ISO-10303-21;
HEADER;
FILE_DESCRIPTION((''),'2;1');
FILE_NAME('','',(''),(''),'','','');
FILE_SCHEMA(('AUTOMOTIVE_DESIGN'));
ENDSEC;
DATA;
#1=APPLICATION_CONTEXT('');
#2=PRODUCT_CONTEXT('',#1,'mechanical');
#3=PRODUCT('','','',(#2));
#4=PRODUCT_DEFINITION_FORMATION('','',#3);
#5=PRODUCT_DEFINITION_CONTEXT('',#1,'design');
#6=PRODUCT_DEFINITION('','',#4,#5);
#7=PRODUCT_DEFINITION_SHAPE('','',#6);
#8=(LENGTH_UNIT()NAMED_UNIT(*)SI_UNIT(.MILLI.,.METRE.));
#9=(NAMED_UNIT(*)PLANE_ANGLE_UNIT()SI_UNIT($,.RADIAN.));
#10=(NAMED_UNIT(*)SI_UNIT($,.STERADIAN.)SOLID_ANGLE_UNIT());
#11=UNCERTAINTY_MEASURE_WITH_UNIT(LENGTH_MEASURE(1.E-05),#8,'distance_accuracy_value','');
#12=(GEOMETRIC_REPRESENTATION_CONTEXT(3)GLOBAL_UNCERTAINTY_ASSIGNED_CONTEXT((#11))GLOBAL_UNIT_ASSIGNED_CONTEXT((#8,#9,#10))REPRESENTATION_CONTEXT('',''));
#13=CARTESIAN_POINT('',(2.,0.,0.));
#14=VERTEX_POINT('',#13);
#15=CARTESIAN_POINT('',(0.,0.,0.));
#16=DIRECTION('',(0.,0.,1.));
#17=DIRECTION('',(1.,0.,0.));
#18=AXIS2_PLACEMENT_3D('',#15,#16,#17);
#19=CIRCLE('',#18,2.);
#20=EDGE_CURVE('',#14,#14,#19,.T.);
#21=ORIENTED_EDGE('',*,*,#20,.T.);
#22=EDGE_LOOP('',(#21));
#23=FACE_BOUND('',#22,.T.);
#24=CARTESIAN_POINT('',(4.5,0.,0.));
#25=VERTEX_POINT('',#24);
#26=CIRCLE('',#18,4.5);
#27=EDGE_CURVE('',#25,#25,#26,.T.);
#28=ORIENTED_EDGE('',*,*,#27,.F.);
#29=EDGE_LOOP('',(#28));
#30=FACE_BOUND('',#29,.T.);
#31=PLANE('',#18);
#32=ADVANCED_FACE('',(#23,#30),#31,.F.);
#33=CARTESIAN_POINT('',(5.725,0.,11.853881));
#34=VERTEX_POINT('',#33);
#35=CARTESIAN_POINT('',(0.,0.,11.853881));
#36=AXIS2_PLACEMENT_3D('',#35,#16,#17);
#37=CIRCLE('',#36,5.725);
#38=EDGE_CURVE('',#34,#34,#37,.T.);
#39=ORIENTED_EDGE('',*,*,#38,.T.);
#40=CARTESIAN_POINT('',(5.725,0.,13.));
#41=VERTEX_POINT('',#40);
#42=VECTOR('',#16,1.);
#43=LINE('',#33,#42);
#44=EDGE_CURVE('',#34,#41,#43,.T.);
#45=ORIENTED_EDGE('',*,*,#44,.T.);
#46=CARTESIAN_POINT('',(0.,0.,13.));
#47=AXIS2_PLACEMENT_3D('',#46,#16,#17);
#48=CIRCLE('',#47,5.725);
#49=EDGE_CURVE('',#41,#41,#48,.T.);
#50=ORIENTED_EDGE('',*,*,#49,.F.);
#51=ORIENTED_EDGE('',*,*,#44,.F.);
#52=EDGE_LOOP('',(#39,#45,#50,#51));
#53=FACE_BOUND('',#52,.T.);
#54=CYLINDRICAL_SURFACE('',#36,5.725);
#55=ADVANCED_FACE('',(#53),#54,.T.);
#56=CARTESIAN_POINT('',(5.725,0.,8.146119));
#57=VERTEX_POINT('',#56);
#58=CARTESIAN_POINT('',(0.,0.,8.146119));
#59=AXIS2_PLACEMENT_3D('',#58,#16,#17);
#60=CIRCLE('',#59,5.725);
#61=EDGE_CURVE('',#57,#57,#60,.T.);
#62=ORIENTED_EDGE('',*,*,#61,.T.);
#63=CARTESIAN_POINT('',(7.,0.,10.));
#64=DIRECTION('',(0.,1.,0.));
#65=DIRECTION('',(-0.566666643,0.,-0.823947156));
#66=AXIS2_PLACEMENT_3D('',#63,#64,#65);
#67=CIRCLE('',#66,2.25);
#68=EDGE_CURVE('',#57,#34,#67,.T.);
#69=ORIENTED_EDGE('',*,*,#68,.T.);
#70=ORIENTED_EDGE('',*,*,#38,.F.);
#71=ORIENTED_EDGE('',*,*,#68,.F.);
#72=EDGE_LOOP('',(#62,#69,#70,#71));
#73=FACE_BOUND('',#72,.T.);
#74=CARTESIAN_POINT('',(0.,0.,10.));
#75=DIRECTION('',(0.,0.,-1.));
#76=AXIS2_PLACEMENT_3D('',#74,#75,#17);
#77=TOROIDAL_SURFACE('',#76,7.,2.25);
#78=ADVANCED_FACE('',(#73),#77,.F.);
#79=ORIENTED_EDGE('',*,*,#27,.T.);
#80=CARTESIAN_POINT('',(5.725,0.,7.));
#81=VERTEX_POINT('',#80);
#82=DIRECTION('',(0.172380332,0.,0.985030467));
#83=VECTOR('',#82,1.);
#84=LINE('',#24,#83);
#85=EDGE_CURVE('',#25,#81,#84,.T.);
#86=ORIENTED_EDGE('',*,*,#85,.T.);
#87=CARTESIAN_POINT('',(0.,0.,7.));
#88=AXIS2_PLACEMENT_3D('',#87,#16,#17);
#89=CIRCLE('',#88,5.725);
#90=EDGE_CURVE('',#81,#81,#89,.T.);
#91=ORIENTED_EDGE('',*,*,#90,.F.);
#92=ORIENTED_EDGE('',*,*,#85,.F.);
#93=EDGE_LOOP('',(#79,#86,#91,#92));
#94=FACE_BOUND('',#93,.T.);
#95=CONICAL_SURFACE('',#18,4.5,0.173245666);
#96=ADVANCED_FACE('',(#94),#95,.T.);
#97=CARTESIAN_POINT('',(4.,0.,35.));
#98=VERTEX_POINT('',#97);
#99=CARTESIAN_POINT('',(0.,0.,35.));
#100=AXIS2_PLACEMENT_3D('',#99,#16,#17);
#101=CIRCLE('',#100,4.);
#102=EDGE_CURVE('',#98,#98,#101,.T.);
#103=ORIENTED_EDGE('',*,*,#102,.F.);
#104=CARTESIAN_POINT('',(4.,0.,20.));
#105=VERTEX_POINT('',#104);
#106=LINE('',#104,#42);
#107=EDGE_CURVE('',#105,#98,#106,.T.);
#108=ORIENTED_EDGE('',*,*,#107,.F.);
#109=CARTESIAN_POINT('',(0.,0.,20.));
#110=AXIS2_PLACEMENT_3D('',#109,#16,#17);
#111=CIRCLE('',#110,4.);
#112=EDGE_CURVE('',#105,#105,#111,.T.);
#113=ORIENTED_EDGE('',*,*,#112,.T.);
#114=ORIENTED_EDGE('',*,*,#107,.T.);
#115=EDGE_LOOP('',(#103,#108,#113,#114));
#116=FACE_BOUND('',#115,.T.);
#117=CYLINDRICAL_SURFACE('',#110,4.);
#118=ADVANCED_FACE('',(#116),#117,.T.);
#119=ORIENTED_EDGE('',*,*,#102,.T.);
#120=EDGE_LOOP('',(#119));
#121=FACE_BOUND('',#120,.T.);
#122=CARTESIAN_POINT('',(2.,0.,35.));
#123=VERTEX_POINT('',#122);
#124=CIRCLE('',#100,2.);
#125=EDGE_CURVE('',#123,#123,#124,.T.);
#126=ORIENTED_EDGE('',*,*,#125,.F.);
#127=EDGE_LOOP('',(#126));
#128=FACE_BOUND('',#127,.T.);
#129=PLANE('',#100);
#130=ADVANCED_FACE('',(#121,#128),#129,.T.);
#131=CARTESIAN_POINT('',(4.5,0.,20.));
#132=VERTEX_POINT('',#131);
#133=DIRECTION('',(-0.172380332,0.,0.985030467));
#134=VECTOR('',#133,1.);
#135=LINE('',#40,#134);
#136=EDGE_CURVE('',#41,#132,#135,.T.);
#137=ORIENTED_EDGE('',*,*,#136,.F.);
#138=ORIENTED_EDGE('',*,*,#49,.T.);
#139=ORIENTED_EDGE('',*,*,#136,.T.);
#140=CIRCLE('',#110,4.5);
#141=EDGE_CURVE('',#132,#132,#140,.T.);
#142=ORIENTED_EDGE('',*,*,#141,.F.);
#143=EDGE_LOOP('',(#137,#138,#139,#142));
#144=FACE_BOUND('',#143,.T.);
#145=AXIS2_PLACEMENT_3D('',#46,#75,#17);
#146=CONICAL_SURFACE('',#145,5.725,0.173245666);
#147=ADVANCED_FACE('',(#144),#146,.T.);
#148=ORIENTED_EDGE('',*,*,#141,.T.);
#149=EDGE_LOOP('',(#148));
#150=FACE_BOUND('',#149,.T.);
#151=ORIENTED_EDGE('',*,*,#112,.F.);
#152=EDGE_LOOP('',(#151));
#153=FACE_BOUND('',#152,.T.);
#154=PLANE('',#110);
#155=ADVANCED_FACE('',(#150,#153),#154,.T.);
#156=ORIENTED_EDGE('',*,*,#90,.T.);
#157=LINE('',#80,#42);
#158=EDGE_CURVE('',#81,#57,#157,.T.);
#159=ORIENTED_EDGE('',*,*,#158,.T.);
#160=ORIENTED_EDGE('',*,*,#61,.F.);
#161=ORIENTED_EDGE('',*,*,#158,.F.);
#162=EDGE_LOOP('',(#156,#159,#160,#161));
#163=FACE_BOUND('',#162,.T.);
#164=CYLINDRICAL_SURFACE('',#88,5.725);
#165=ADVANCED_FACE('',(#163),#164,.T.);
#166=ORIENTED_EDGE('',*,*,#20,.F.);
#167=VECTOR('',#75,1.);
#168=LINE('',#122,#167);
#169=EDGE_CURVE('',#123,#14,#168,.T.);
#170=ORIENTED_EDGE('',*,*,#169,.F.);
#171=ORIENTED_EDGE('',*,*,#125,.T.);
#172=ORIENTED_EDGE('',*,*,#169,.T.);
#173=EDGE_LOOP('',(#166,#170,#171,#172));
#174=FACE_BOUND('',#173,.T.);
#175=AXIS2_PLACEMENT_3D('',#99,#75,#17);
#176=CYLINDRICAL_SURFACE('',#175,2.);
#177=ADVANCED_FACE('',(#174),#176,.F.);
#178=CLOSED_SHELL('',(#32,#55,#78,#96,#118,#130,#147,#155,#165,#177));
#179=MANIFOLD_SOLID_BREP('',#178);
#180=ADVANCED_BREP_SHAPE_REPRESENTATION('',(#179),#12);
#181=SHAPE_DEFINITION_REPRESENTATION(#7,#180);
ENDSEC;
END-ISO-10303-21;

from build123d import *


with BuildPart() as f1:
    # F0 (on Front) → F1 (revolve)
    with BuildSketch(Plane.XZ):
        with BuildLine():
            Line((4.5, 0), (5.725, 7))
            Line((5.725, 7), (5.725, 8.146119))
            ThreePointArc((5.725, 8.146119), (4.75, 10), (5.725, 11.853881))
            Line((5.725, 11.853881), (5.725, 13))
            Line((5.725, 13), (4.5, 20))
            Line((4.5, 20), (4, 20))
            Line((4, 20), (4, 35))
            Line((4, 35), (2, 35))
            Line((2, 35), (2, 0))
            Line((2, 0), (4.5, 0))
        make_face()
    revolve(axis=Axis((0, 0, 8.881353), (0, 0, 1)))


solid = f1.part
